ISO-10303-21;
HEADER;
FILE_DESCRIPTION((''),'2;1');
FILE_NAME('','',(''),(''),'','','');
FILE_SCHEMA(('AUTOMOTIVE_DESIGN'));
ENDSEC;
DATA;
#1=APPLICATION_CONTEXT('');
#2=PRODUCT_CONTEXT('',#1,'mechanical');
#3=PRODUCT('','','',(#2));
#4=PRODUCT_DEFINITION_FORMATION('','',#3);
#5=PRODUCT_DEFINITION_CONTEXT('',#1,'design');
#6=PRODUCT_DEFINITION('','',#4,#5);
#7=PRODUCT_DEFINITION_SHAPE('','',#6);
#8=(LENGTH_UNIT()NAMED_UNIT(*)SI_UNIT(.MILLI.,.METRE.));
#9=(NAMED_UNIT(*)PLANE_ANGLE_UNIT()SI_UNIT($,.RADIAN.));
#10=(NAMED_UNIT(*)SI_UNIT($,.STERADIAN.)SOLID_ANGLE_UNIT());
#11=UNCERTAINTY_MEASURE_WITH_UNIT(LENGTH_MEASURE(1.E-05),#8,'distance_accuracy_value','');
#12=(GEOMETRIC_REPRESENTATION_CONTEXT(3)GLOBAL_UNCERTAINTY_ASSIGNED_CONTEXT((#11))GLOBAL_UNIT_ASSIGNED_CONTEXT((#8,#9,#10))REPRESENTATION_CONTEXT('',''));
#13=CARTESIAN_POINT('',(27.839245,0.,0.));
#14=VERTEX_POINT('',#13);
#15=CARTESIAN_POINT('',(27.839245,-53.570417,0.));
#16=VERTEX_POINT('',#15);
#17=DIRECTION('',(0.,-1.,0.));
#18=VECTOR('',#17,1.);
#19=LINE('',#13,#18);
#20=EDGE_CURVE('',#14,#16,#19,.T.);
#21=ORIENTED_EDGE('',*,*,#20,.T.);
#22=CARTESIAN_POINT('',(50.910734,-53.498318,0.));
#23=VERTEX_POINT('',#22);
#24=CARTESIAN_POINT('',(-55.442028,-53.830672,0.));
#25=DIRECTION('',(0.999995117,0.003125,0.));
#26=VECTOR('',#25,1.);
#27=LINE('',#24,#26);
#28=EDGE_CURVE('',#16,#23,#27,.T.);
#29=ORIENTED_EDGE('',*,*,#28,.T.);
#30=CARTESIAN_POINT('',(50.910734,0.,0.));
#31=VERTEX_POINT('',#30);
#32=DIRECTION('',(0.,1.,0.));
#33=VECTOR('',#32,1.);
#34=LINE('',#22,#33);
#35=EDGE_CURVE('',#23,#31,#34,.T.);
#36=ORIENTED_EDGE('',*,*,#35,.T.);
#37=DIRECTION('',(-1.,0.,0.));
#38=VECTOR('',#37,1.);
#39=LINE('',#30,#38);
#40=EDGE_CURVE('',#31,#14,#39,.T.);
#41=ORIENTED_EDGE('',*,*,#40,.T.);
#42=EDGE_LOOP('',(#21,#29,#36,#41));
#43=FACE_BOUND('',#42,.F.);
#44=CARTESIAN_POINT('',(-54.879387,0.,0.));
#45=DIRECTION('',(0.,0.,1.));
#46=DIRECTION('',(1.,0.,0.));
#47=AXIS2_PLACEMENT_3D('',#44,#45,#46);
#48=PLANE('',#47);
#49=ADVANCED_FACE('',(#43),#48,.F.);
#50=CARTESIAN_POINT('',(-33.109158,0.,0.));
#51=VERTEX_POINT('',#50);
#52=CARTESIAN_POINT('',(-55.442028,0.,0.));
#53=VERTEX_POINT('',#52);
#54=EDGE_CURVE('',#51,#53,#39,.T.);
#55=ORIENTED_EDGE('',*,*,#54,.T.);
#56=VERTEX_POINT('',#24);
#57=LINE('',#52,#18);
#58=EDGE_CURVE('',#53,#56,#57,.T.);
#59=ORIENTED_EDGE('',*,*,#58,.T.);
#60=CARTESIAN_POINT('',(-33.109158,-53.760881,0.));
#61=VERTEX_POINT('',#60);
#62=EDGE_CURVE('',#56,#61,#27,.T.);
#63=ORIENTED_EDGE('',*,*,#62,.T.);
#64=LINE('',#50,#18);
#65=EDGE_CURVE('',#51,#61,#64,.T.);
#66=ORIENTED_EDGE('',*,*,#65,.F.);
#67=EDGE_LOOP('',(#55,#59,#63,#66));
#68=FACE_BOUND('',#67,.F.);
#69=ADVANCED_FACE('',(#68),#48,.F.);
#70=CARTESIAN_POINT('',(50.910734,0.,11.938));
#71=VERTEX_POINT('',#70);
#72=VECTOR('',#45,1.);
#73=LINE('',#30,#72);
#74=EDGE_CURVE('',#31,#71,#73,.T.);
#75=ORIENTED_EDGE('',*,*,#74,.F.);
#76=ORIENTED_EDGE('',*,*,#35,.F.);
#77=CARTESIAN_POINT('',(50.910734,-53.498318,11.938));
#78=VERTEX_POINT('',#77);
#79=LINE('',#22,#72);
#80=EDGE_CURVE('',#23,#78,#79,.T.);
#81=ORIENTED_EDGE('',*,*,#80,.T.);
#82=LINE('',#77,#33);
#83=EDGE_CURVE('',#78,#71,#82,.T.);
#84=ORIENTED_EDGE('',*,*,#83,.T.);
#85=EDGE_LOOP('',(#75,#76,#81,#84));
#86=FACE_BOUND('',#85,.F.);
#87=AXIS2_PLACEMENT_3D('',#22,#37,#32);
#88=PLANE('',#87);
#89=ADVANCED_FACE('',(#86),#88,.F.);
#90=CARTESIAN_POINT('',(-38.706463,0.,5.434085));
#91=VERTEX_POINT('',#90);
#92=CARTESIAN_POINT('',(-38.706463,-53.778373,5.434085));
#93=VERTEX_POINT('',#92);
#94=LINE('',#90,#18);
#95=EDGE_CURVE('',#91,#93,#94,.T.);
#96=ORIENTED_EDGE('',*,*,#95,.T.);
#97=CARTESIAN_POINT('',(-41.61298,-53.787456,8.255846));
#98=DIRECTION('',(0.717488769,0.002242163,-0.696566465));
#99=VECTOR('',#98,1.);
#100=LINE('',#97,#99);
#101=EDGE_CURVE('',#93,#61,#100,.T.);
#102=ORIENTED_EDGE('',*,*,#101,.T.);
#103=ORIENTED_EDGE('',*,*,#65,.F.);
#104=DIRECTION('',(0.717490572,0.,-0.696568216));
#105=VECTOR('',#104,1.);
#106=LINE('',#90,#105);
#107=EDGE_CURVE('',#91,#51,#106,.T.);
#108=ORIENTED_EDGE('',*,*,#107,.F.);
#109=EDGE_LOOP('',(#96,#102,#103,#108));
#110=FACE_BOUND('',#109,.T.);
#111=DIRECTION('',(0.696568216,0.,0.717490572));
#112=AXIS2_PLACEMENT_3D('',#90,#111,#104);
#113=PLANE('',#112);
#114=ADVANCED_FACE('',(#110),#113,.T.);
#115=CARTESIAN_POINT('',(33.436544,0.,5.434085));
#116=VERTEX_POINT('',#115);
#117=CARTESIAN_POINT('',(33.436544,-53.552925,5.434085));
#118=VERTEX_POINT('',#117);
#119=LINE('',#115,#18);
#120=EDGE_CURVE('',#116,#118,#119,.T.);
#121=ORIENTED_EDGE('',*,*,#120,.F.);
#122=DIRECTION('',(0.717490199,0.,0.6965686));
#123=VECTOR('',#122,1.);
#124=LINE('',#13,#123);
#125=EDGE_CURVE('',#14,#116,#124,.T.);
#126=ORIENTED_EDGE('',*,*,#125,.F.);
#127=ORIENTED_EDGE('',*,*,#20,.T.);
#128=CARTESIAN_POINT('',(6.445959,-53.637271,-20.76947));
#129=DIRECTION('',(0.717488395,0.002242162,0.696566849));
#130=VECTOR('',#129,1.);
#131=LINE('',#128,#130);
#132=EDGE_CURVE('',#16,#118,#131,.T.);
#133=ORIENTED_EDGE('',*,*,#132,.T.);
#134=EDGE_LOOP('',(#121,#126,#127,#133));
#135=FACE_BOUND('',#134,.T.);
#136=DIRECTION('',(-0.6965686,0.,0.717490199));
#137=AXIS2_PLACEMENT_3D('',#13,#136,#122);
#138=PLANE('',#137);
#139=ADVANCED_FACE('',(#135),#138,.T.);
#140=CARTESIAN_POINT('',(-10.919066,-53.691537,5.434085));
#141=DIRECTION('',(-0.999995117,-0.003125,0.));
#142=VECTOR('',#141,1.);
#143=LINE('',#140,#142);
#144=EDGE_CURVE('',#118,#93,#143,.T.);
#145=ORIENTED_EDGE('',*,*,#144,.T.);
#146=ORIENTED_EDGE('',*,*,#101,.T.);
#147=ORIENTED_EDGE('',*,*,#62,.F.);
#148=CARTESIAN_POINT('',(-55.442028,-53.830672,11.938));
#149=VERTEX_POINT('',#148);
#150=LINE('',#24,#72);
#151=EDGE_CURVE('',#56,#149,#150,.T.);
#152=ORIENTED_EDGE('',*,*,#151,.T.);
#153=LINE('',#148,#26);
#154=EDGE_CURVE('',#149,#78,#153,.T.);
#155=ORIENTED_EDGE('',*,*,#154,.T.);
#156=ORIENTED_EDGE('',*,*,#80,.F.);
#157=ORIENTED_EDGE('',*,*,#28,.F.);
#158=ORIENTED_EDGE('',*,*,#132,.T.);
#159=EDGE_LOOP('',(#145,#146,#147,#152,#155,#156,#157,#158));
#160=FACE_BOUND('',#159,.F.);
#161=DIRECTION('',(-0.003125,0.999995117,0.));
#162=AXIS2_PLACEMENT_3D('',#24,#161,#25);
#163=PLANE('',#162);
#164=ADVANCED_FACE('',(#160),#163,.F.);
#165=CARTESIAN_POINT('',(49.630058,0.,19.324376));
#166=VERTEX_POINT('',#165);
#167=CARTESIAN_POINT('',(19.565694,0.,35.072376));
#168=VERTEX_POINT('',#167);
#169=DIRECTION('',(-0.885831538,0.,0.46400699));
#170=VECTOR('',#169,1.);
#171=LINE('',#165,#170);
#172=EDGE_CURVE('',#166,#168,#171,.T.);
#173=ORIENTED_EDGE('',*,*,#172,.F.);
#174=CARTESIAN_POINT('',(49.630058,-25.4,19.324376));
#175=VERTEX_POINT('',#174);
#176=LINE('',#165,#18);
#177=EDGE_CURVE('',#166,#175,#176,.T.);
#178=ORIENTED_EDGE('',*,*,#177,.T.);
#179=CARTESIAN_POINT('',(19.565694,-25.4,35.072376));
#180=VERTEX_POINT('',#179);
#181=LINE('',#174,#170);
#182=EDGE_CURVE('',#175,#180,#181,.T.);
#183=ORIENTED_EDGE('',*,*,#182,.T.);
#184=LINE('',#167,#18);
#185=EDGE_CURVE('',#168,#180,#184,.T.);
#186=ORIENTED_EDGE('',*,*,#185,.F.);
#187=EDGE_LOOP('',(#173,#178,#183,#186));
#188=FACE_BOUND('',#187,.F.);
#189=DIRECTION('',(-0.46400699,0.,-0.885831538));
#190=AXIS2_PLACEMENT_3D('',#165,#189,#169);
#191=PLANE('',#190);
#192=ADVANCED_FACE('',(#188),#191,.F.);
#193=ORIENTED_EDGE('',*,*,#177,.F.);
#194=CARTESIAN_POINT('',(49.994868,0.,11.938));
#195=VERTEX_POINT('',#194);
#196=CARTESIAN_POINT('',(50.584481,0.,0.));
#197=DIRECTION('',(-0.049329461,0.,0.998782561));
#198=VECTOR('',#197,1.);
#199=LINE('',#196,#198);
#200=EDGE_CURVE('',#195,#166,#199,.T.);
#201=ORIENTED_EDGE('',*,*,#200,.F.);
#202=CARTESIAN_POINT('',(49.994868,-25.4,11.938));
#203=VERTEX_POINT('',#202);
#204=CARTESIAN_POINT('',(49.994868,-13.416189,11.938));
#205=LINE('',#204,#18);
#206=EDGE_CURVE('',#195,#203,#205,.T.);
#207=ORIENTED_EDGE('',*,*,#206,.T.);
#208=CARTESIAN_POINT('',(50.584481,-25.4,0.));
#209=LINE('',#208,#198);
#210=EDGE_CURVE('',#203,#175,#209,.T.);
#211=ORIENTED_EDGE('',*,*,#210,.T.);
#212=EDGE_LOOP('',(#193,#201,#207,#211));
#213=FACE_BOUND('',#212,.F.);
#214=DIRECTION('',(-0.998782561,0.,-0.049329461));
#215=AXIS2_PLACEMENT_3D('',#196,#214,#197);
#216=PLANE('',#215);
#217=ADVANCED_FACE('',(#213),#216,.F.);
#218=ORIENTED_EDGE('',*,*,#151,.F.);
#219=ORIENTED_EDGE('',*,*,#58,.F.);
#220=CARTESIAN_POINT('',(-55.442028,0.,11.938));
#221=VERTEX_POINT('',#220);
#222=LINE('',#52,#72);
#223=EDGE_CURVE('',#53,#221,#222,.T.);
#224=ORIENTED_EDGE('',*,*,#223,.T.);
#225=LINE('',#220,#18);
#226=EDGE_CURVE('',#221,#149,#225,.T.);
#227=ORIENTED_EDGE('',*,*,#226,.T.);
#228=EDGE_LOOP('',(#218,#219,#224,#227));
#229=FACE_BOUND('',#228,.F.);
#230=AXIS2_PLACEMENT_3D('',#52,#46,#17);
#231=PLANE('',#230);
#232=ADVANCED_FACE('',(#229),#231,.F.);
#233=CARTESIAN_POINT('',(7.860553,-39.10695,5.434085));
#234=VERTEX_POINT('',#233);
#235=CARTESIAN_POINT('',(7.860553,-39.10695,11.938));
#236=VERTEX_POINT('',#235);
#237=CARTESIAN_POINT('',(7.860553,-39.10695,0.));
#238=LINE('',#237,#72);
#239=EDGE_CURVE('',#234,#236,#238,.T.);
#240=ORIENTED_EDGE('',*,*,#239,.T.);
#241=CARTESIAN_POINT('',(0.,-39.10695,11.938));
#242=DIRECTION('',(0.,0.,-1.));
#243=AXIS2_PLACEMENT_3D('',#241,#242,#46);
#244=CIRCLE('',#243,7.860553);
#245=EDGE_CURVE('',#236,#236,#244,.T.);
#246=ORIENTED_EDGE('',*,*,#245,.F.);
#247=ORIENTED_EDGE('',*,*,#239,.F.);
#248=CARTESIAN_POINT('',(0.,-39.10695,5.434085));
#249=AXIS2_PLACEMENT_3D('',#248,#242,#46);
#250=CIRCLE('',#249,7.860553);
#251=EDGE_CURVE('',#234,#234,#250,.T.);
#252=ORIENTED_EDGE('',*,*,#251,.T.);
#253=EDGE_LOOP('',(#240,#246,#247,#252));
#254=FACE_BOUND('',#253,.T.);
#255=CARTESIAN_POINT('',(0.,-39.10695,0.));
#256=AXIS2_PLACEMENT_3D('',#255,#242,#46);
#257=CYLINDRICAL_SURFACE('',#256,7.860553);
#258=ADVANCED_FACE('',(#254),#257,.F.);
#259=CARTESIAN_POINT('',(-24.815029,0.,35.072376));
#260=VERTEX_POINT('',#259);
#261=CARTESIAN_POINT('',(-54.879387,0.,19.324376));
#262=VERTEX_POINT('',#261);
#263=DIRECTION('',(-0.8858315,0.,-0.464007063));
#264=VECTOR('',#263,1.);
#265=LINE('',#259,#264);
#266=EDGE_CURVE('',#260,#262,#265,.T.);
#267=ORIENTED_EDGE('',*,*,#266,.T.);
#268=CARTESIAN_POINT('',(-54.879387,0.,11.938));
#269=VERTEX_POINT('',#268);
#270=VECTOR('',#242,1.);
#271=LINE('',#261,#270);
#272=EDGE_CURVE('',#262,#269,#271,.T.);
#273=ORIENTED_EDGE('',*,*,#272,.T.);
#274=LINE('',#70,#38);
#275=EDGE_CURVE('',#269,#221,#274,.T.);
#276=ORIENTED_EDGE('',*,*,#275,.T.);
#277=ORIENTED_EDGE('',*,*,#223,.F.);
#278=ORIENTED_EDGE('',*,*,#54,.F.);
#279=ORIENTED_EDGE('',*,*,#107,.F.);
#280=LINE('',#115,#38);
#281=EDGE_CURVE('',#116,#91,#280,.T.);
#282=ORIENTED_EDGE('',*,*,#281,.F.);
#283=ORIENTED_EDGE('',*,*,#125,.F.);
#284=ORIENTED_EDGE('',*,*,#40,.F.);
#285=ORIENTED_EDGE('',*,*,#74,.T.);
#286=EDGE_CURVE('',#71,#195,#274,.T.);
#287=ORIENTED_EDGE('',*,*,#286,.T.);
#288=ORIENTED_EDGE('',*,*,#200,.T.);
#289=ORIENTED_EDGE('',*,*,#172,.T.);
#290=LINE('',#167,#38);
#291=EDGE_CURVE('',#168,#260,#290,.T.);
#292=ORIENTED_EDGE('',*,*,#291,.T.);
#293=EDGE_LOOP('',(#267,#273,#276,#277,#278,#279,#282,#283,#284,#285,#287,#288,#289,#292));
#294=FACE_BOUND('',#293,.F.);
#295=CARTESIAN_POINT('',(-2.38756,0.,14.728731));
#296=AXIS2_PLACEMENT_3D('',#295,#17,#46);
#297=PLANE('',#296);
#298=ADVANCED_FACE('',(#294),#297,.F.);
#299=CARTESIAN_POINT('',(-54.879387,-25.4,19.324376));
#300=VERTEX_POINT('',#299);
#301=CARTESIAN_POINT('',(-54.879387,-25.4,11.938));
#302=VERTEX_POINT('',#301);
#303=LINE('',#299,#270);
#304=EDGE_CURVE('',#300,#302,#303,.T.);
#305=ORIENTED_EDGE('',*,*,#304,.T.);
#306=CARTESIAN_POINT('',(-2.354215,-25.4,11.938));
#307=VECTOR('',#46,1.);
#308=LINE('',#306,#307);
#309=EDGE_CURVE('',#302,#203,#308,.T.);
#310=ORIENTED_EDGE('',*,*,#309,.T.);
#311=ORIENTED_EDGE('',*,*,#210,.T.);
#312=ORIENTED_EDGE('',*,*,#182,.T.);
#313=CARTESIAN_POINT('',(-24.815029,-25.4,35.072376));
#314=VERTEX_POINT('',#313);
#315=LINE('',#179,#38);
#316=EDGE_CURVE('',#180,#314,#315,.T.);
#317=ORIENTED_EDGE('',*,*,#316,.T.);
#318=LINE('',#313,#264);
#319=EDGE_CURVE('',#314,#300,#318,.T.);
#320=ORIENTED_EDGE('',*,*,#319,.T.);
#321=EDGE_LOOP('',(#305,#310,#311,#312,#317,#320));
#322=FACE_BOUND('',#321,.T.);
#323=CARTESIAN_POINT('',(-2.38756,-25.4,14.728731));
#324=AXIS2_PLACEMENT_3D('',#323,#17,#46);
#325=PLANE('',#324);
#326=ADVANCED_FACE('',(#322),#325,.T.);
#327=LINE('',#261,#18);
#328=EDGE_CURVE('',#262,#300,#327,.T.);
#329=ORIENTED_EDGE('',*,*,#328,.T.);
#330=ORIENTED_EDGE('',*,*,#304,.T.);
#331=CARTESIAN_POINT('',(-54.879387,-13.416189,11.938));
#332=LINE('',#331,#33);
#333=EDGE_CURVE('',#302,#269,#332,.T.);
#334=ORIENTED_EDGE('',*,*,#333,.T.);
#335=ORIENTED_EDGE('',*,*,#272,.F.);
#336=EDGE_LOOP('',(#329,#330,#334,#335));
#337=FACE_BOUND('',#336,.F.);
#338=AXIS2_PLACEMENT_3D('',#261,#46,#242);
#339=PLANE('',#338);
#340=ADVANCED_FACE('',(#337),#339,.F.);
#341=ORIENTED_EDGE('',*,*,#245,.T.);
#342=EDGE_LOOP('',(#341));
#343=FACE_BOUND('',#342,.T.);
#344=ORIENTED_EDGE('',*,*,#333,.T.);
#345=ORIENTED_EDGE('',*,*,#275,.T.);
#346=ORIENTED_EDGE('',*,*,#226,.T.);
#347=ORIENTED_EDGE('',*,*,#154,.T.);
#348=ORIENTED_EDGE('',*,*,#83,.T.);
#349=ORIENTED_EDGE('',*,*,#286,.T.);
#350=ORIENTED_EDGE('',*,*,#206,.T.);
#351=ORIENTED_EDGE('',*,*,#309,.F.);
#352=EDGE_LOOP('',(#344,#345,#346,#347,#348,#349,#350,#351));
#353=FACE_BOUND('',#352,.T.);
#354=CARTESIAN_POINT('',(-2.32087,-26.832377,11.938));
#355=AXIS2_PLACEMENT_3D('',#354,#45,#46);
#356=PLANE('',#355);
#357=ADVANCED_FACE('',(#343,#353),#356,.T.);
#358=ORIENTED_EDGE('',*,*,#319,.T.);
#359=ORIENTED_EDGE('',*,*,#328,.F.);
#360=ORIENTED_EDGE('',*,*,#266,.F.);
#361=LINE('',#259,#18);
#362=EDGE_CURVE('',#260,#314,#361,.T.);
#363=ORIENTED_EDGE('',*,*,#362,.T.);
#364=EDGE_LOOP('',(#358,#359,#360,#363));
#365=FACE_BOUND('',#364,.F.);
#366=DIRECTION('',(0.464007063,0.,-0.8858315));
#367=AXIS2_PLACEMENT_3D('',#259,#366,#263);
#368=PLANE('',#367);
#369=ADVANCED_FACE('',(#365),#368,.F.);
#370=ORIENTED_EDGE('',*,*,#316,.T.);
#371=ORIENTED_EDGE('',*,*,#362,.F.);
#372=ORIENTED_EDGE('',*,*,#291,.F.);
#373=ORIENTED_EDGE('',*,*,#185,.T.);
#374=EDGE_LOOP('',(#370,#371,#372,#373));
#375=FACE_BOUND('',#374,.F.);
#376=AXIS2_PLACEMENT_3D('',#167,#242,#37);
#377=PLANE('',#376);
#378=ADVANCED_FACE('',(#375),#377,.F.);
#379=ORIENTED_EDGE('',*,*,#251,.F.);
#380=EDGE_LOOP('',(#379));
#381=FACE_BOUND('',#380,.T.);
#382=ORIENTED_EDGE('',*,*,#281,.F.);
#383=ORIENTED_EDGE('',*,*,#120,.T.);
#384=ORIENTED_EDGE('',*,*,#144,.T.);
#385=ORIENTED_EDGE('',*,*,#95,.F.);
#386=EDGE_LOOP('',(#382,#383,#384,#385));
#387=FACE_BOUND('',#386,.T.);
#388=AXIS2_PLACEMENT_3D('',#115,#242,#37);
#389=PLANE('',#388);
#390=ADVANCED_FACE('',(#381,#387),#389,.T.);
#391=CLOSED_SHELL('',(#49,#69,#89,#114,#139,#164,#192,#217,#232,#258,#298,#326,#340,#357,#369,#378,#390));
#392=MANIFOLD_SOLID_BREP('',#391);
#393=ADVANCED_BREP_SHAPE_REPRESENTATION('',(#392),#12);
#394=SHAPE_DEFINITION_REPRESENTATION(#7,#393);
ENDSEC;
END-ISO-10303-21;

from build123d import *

# Parameters (mm, degrees)
F2_DEPTH = 11.938
F3_DEPTH = 25.4
F5_DEPTH = 72.644
F6_R     = 7.860553
F7_DEPTH = 35.306


with BuildPart() as f2:
    # F1 (on Top) → F2 (new body)
    with BuildSketch(Plane.XY):
        Polygon((50.910734, 0), (-55.442028, 0), (-55.442028, -53.830672), (50.910734, -53.498318), align=None)
    extrude(amount=F2_DEPTH)

    # F0 (on Front) → F3 (join)
    with BuildSketch(Plane.XZ):
        Polygon((-54.879387, 19.324376), (-54.879387, 0), (50.584481, 0), (49.630058, 19.324376), (19.565694, 35.072376), (-24.815029, 35.072376), align=None)
    extrude(amount=F3_DEPTH)

    # F4 (on Front) → F5 (cut)
    with BuildSketch(Plane.XZ):
        Polygon((33.436544, 5.434085), (-38.706463, 5.434085), (-33.109158, 0), (27.839245, 0), align=None)
    extrude(amount=F5_DEPTH, mode=Mode.SUBTRACT)

    # F6 (on Top) → F7 (cut)
    with BuildSketch(Plane.XY):
        with Locations((0, -39.10695)):
            Circle(F6_R)
    extrude(amount=F7_DEPTH, mode=Mode.SUBTRACT)


solid = f2.part
